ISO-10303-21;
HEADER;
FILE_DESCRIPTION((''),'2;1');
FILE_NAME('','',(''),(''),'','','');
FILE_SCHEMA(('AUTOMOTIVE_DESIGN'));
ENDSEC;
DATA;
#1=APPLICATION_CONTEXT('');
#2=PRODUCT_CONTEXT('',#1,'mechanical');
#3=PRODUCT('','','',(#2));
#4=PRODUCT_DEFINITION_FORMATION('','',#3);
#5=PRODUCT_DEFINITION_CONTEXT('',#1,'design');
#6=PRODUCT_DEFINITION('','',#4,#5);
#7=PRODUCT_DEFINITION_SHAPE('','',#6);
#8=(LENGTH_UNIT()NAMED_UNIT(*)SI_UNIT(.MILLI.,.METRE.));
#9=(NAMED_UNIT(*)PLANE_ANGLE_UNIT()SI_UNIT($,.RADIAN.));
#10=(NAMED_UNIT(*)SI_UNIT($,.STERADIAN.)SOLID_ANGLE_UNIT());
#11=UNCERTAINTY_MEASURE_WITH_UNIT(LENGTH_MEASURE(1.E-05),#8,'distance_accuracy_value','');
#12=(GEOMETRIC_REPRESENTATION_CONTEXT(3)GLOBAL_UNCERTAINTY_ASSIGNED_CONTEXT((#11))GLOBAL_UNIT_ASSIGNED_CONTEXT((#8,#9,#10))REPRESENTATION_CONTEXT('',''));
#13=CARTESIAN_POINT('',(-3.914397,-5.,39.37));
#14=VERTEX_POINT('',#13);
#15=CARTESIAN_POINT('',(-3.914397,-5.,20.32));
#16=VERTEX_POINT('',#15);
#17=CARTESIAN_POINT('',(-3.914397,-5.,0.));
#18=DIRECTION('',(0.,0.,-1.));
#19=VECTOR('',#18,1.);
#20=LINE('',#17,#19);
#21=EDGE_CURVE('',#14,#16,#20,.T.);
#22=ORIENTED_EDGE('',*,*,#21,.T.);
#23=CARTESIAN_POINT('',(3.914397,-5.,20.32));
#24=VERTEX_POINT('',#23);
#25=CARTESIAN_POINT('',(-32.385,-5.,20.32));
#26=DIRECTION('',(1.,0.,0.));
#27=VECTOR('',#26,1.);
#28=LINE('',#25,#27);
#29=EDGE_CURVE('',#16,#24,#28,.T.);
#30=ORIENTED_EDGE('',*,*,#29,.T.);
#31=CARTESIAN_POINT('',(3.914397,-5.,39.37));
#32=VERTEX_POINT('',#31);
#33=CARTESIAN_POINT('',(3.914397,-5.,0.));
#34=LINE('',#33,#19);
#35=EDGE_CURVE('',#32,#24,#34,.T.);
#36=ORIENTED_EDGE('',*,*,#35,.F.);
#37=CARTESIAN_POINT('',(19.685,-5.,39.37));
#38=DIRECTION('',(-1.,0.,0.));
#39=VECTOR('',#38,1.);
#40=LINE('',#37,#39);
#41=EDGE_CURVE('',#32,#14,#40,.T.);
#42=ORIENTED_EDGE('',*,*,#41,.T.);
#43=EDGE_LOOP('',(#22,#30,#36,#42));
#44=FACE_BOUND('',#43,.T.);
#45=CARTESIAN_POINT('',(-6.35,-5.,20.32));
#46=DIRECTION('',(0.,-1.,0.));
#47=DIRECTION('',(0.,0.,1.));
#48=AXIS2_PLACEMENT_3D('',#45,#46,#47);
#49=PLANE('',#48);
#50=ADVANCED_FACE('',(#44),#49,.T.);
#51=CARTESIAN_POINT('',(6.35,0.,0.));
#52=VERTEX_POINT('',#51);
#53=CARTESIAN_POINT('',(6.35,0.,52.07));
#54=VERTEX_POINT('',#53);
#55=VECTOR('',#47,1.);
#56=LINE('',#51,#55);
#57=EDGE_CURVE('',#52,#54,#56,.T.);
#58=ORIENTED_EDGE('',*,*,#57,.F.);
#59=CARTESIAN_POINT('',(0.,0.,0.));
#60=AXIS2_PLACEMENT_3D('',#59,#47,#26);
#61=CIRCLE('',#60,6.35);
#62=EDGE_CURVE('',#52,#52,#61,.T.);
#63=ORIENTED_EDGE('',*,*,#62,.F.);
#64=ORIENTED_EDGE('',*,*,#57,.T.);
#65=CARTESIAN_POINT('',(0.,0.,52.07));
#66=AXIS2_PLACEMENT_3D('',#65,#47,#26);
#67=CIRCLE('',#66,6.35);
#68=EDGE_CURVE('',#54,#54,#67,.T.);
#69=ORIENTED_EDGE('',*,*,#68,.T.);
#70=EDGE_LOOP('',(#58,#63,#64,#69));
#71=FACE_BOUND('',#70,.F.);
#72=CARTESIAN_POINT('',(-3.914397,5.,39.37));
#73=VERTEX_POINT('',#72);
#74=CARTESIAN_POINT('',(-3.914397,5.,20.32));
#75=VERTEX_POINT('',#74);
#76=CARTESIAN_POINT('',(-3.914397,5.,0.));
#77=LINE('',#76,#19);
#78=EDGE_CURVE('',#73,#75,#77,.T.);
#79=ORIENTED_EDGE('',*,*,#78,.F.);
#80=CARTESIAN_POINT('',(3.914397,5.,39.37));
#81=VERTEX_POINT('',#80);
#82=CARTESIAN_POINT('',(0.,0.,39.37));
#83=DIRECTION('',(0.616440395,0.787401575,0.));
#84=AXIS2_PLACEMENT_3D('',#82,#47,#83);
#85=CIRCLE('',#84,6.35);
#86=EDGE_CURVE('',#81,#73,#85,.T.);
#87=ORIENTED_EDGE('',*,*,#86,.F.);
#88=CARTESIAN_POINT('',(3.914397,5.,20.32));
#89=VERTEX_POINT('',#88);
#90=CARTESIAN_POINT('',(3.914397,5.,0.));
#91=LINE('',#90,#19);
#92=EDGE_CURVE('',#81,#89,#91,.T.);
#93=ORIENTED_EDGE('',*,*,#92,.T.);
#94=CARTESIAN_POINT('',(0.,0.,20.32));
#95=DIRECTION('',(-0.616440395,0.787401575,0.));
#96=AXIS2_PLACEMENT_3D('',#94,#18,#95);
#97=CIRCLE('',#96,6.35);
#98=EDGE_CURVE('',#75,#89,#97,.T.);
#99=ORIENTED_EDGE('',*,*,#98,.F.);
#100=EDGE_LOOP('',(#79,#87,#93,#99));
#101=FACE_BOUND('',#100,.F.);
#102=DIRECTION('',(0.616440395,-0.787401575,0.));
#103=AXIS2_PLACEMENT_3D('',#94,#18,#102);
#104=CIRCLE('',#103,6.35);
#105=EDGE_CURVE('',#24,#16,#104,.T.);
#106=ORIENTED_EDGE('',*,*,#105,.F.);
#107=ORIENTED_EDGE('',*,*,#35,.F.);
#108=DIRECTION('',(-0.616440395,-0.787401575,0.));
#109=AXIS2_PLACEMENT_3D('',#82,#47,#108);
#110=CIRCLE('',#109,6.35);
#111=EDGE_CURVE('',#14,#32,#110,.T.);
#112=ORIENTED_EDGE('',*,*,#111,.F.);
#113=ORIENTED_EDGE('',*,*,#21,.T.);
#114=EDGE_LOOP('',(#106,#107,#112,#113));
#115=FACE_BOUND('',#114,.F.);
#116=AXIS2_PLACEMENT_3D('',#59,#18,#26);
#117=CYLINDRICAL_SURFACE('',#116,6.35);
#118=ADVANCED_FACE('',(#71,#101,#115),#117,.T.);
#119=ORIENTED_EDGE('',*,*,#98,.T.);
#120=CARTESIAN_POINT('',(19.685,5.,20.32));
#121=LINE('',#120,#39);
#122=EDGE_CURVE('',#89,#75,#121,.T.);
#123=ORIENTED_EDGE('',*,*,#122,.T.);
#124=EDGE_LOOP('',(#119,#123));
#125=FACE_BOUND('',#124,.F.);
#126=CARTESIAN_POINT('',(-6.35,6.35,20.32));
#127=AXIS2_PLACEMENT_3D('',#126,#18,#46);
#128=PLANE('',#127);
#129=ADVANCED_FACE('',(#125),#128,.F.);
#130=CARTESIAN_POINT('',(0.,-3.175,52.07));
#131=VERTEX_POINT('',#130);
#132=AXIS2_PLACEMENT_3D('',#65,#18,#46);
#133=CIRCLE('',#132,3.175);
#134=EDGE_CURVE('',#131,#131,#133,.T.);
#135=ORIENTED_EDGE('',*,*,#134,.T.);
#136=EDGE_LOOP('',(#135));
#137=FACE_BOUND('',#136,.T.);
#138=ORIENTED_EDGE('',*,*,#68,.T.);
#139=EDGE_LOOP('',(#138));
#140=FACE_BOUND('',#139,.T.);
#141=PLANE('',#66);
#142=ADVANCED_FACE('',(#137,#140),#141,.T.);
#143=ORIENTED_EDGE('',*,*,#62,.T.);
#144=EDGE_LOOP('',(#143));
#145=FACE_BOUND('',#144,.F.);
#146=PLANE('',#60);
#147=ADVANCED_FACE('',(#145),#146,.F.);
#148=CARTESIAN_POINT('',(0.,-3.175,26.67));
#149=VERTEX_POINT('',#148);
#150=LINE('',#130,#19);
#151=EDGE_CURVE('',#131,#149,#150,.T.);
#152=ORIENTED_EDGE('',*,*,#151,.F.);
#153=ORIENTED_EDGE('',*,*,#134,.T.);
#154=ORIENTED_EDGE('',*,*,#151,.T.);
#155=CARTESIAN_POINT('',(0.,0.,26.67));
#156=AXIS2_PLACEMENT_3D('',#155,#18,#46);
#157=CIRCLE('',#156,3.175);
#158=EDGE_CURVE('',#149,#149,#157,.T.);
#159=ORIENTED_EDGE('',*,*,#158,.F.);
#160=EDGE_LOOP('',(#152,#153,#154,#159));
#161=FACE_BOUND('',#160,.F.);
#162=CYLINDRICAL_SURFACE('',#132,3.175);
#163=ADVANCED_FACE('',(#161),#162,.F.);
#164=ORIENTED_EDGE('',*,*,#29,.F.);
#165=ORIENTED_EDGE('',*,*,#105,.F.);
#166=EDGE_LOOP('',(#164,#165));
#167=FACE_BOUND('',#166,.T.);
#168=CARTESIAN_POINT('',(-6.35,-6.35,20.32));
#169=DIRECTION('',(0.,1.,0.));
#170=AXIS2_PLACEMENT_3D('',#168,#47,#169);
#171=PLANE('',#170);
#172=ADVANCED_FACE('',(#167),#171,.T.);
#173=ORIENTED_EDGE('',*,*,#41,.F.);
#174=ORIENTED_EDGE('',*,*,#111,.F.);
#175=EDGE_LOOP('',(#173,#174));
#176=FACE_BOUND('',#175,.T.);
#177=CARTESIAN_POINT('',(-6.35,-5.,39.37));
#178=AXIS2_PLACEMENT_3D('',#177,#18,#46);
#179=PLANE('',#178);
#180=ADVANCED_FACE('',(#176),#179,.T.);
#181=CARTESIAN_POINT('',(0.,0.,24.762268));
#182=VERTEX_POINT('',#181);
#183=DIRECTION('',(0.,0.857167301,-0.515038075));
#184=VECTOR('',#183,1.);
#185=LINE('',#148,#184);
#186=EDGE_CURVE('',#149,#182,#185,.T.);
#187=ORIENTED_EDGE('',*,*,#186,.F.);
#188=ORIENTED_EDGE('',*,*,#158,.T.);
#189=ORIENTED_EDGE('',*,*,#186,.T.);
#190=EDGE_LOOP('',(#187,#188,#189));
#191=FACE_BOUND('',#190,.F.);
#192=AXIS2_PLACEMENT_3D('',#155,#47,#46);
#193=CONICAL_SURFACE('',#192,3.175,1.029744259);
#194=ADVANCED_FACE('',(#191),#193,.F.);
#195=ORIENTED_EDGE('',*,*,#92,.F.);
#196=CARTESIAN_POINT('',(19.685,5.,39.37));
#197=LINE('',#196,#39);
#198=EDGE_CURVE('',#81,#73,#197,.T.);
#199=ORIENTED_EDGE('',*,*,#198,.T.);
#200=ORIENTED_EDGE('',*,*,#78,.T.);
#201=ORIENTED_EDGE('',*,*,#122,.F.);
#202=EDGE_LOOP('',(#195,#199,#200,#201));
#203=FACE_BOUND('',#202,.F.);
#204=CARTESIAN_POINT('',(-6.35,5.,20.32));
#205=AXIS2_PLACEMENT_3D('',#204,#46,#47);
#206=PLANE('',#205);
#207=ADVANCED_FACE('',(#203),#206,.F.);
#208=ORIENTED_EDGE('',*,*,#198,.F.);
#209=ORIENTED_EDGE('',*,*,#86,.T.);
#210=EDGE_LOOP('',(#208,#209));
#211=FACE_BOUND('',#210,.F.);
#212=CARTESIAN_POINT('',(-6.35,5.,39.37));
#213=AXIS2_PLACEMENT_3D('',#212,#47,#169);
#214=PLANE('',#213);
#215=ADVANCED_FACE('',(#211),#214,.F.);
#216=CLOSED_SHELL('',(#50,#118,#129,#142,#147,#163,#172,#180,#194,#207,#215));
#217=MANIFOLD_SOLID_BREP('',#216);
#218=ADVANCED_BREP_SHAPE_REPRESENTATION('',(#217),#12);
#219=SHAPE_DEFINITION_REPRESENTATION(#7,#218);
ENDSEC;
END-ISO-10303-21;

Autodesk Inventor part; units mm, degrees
ref_plane "XZ Plane" through (0, 0, 0) normal (0, 1, 0) x (-1, 0, 0)
ref_plane "XY Plane" through (0, 0, 0) normal (0, 0, 1) x (1, 0, 0)
sketch "Sketch1" plane through (0, 0, 0) normal (0, 0, 1) x (1, 0, 0)
  circle A0 centre (0, 0) radius 6.35
  dimension "d0" = 12.7
extrude "Extrusion1" add sketch "Sketch1" along normal blind 52.07
ref_plane "Work Plane1" through (-6.35, 0, 0) normal (1, 0, 0) x (0, 1, 0)
sketch "Sketch2" plane through (-6.35, 0, 0) normal (1, 0, 0) x (0, 1, 0)
  line L0 (-6.35, 0) -> (6.35, 0) projected
  line L1 (6.35, 52.07) -> (-6.35, 52.07) projected
  line L2 (6.35, 0) -> (6.35, 52.07) projected
  line L3 (-6.35, 0) -> (-6.35, 52.07) projected
  line L4 (6.35, 20.32) -> (5, 20.32)
  line L5 (5, 20.32) -> (5, 39.37)
  line L6 (5, 39.37) -> (6.35, 39.37)
  line L7 (6.35, 39.37) -> (6.35, 20.32)
  line L8 (-6.35, 20.32) -> (-5, 20.32)
  line L9 (-5, 20.32) -> (-5, 39.37)
  line L10 (-5, 39.37) -> (-6.35, 39.37)
  line L11 (-6.35, 39.37) -> (-6.35, 20.32)
  point P0 (0, 0)
  dimension "d3" = 19.05
  dimension "d4" = 12.7
  dimension "d5" = 10
extrude "Extrusion2" cut sketch "Sketch2" along normal mid plane 52.07 contours L3 L10 L9 L8 | L4 L5 L6 L2
sketch "Sketch3" plane through (0, 0, 52.07) normal (0, 0, 1) x (1, 0, 0)
  point P0 (0, 0)
  point P1 (0, 0)
hole "Hole1" at (0, 0, 52.07) direction (0, 0, -1) diameter 6.35 depth 25.4 tip angle 118
properties part number "Pin V2"
